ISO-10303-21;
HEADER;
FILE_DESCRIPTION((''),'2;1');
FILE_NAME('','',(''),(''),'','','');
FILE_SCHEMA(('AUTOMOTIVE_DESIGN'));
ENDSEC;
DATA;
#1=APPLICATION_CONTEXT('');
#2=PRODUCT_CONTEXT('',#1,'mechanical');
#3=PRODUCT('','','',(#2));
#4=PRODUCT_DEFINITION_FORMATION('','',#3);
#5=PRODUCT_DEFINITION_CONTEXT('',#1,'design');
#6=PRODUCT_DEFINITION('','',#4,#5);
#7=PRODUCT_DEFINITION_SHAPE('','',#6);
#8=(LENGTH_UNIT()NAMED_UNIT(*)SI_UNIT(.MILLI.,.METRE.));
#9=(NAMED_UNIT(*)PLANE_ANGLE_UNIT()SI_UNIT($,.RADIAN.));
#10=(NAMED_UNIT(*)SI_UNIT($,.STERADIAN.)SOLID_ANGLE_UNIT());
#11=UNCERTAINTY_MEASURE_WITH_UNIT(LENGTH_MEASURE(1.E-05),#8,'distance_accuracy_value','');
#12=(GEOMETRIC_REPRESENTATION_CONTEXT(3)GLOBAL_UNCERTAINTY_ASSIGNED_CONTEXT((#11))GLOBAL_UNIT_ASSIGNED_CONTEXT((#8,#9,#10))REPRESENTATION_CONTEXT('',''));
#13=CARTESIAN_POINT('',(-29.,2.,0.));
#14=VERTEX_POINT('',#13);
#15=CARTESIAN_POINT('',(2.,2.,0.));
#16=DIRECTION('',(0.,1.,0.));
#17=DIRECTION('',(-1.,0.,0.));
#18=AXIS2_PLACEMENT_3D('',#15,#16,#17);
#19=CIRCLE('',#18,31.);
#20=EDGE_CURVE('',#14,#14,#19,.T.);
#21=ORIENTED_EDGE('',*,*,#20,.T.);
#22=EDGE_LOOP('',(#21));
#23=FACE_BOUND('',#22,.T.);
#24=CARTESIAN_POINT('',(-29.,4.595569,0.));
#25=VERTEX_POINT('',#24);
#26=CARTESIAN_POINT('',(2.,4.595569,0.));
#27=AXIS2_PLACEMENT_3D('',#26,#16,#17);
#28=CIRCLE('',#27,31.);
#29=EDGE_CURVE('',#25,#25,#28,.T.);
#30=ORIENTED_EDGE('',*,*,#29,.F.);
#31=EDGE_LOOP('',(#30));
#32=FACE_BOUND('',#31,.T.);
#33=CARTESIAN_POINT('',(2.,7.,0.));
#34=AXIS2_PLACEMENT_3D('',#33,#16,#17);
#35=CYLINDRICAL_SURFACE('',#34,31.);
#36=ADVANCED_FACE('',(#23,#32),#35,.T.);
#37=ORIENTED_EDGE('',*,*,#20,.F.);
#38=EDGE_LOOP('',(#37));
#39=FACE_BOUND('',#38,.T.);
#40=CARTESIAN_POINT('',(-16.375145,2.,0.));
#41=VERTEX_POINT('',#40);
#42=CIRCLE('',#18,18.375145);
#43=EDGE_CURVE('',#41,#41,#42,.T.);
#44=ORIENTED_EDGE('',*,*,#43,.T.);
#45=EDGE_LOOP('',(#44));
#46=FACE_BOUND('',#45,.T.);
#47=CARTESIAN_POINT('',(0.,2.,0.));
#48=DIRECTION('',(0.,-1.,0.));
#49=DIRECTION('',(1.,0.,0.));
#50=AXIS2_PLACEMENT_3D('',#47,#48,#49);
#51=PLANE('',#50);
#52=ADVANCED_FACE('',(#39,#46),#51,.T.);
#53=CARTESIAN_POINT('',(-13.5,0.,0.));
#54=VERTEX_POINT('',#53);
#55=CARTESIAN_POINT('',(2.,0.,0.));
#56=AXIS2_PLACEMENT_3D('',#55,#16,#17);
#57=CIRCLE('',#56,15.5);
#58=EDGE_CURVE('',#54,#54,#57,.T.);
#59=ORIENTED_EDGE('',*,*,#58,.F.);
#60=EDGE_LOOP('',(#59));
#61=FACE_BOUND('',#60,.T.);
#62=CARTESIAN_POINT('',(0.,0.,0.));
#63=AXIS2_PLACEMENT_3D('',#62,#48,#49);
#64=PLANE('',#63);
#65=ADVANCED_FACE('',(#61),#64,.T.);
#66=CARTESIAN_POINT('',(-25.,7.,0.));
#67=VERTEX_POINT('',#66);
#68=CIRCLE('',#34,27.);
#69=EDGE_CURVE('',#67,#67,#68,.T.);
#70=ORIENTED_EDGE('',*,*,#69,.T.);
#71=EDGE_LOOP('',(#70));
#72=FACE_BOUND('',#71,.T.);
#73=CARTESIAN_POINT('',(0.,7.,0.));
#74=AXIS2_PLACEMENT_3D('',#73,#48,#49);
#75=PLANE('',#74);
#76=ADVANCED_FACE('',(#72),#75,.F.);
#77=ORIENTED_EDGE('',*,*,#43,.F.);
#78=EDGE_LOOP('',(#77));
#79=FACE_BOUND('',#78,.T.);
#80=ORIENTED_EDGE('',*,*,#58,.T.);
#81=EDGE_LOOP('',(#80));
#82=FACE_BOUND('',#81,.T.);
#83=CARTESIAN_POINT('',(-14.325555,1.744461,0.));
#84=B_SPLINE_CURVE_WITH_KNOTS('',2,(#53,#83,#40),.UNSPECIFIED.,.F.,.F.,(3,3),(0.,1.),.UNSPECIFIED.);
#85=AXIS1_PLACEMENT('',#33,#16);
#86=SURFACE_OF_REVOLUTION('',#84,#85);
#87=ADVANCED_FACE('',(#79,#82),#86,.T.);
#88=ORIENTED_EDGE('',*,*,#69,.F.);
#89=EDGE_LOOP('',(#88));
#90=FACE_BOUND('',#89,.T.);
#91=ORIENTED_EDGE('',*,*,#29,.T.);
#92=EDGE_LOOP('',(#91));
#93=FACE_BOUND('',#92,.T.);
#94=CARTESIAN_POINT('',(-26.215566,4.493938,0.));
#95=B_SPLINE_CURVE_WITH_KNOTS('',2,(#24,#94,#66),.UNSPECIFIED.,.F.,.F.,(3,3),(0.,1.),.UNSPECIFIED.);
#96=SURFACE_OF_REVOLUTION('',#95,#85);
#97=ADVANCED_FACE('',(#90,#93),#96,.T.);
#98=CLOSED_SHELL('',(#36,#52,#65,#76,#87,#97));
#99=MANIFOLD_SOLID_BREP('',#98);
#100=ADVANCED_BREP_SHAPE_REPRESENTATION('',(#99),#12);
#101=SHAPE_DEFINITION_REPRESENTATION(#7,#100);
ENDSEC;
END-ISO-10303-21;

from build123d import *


with BuildPart() as part:
    # Sketch1 → Revolve1 (revolve)
    with BuildSketch(Plane.XY):
        with BuildLine():
            Line((-16.37514541, 2), (2, 2))
            Line((2, 2), (2, 7))
            Line((2, 7), (-25, 7))
            add(Edge.make_bspline(
                [(-29, 4.595569114), (-26.215566128, 4.493938058), (-25, 7)],
                knots=[0, 0, 0, 1, 1, 1], degree=2))
            Line((-29, 4.595569114), (-29, 2))
            Line((-29, 2), (-16.37514541, 2))
        make_face()
        with BuildLine():
            Line((-13.5, 0), (-5, 0))
            Line((-5, 0), (2, 0))
            Line((2, 0), (2, 2))
            Line((2, 2), (-16.37514541, 2))
            add(Edge.make_bspline(
                [(-13.5, 0), (-14.325555034, 1.744460764), (-16.37514541, 2)],
                knots=[0, 0, 0, 1, 1, 1], degree=2))
        make_face()
    revolve(axis=Axis((2, 7, 0), (0, -1, 0)))


solid = part.part
